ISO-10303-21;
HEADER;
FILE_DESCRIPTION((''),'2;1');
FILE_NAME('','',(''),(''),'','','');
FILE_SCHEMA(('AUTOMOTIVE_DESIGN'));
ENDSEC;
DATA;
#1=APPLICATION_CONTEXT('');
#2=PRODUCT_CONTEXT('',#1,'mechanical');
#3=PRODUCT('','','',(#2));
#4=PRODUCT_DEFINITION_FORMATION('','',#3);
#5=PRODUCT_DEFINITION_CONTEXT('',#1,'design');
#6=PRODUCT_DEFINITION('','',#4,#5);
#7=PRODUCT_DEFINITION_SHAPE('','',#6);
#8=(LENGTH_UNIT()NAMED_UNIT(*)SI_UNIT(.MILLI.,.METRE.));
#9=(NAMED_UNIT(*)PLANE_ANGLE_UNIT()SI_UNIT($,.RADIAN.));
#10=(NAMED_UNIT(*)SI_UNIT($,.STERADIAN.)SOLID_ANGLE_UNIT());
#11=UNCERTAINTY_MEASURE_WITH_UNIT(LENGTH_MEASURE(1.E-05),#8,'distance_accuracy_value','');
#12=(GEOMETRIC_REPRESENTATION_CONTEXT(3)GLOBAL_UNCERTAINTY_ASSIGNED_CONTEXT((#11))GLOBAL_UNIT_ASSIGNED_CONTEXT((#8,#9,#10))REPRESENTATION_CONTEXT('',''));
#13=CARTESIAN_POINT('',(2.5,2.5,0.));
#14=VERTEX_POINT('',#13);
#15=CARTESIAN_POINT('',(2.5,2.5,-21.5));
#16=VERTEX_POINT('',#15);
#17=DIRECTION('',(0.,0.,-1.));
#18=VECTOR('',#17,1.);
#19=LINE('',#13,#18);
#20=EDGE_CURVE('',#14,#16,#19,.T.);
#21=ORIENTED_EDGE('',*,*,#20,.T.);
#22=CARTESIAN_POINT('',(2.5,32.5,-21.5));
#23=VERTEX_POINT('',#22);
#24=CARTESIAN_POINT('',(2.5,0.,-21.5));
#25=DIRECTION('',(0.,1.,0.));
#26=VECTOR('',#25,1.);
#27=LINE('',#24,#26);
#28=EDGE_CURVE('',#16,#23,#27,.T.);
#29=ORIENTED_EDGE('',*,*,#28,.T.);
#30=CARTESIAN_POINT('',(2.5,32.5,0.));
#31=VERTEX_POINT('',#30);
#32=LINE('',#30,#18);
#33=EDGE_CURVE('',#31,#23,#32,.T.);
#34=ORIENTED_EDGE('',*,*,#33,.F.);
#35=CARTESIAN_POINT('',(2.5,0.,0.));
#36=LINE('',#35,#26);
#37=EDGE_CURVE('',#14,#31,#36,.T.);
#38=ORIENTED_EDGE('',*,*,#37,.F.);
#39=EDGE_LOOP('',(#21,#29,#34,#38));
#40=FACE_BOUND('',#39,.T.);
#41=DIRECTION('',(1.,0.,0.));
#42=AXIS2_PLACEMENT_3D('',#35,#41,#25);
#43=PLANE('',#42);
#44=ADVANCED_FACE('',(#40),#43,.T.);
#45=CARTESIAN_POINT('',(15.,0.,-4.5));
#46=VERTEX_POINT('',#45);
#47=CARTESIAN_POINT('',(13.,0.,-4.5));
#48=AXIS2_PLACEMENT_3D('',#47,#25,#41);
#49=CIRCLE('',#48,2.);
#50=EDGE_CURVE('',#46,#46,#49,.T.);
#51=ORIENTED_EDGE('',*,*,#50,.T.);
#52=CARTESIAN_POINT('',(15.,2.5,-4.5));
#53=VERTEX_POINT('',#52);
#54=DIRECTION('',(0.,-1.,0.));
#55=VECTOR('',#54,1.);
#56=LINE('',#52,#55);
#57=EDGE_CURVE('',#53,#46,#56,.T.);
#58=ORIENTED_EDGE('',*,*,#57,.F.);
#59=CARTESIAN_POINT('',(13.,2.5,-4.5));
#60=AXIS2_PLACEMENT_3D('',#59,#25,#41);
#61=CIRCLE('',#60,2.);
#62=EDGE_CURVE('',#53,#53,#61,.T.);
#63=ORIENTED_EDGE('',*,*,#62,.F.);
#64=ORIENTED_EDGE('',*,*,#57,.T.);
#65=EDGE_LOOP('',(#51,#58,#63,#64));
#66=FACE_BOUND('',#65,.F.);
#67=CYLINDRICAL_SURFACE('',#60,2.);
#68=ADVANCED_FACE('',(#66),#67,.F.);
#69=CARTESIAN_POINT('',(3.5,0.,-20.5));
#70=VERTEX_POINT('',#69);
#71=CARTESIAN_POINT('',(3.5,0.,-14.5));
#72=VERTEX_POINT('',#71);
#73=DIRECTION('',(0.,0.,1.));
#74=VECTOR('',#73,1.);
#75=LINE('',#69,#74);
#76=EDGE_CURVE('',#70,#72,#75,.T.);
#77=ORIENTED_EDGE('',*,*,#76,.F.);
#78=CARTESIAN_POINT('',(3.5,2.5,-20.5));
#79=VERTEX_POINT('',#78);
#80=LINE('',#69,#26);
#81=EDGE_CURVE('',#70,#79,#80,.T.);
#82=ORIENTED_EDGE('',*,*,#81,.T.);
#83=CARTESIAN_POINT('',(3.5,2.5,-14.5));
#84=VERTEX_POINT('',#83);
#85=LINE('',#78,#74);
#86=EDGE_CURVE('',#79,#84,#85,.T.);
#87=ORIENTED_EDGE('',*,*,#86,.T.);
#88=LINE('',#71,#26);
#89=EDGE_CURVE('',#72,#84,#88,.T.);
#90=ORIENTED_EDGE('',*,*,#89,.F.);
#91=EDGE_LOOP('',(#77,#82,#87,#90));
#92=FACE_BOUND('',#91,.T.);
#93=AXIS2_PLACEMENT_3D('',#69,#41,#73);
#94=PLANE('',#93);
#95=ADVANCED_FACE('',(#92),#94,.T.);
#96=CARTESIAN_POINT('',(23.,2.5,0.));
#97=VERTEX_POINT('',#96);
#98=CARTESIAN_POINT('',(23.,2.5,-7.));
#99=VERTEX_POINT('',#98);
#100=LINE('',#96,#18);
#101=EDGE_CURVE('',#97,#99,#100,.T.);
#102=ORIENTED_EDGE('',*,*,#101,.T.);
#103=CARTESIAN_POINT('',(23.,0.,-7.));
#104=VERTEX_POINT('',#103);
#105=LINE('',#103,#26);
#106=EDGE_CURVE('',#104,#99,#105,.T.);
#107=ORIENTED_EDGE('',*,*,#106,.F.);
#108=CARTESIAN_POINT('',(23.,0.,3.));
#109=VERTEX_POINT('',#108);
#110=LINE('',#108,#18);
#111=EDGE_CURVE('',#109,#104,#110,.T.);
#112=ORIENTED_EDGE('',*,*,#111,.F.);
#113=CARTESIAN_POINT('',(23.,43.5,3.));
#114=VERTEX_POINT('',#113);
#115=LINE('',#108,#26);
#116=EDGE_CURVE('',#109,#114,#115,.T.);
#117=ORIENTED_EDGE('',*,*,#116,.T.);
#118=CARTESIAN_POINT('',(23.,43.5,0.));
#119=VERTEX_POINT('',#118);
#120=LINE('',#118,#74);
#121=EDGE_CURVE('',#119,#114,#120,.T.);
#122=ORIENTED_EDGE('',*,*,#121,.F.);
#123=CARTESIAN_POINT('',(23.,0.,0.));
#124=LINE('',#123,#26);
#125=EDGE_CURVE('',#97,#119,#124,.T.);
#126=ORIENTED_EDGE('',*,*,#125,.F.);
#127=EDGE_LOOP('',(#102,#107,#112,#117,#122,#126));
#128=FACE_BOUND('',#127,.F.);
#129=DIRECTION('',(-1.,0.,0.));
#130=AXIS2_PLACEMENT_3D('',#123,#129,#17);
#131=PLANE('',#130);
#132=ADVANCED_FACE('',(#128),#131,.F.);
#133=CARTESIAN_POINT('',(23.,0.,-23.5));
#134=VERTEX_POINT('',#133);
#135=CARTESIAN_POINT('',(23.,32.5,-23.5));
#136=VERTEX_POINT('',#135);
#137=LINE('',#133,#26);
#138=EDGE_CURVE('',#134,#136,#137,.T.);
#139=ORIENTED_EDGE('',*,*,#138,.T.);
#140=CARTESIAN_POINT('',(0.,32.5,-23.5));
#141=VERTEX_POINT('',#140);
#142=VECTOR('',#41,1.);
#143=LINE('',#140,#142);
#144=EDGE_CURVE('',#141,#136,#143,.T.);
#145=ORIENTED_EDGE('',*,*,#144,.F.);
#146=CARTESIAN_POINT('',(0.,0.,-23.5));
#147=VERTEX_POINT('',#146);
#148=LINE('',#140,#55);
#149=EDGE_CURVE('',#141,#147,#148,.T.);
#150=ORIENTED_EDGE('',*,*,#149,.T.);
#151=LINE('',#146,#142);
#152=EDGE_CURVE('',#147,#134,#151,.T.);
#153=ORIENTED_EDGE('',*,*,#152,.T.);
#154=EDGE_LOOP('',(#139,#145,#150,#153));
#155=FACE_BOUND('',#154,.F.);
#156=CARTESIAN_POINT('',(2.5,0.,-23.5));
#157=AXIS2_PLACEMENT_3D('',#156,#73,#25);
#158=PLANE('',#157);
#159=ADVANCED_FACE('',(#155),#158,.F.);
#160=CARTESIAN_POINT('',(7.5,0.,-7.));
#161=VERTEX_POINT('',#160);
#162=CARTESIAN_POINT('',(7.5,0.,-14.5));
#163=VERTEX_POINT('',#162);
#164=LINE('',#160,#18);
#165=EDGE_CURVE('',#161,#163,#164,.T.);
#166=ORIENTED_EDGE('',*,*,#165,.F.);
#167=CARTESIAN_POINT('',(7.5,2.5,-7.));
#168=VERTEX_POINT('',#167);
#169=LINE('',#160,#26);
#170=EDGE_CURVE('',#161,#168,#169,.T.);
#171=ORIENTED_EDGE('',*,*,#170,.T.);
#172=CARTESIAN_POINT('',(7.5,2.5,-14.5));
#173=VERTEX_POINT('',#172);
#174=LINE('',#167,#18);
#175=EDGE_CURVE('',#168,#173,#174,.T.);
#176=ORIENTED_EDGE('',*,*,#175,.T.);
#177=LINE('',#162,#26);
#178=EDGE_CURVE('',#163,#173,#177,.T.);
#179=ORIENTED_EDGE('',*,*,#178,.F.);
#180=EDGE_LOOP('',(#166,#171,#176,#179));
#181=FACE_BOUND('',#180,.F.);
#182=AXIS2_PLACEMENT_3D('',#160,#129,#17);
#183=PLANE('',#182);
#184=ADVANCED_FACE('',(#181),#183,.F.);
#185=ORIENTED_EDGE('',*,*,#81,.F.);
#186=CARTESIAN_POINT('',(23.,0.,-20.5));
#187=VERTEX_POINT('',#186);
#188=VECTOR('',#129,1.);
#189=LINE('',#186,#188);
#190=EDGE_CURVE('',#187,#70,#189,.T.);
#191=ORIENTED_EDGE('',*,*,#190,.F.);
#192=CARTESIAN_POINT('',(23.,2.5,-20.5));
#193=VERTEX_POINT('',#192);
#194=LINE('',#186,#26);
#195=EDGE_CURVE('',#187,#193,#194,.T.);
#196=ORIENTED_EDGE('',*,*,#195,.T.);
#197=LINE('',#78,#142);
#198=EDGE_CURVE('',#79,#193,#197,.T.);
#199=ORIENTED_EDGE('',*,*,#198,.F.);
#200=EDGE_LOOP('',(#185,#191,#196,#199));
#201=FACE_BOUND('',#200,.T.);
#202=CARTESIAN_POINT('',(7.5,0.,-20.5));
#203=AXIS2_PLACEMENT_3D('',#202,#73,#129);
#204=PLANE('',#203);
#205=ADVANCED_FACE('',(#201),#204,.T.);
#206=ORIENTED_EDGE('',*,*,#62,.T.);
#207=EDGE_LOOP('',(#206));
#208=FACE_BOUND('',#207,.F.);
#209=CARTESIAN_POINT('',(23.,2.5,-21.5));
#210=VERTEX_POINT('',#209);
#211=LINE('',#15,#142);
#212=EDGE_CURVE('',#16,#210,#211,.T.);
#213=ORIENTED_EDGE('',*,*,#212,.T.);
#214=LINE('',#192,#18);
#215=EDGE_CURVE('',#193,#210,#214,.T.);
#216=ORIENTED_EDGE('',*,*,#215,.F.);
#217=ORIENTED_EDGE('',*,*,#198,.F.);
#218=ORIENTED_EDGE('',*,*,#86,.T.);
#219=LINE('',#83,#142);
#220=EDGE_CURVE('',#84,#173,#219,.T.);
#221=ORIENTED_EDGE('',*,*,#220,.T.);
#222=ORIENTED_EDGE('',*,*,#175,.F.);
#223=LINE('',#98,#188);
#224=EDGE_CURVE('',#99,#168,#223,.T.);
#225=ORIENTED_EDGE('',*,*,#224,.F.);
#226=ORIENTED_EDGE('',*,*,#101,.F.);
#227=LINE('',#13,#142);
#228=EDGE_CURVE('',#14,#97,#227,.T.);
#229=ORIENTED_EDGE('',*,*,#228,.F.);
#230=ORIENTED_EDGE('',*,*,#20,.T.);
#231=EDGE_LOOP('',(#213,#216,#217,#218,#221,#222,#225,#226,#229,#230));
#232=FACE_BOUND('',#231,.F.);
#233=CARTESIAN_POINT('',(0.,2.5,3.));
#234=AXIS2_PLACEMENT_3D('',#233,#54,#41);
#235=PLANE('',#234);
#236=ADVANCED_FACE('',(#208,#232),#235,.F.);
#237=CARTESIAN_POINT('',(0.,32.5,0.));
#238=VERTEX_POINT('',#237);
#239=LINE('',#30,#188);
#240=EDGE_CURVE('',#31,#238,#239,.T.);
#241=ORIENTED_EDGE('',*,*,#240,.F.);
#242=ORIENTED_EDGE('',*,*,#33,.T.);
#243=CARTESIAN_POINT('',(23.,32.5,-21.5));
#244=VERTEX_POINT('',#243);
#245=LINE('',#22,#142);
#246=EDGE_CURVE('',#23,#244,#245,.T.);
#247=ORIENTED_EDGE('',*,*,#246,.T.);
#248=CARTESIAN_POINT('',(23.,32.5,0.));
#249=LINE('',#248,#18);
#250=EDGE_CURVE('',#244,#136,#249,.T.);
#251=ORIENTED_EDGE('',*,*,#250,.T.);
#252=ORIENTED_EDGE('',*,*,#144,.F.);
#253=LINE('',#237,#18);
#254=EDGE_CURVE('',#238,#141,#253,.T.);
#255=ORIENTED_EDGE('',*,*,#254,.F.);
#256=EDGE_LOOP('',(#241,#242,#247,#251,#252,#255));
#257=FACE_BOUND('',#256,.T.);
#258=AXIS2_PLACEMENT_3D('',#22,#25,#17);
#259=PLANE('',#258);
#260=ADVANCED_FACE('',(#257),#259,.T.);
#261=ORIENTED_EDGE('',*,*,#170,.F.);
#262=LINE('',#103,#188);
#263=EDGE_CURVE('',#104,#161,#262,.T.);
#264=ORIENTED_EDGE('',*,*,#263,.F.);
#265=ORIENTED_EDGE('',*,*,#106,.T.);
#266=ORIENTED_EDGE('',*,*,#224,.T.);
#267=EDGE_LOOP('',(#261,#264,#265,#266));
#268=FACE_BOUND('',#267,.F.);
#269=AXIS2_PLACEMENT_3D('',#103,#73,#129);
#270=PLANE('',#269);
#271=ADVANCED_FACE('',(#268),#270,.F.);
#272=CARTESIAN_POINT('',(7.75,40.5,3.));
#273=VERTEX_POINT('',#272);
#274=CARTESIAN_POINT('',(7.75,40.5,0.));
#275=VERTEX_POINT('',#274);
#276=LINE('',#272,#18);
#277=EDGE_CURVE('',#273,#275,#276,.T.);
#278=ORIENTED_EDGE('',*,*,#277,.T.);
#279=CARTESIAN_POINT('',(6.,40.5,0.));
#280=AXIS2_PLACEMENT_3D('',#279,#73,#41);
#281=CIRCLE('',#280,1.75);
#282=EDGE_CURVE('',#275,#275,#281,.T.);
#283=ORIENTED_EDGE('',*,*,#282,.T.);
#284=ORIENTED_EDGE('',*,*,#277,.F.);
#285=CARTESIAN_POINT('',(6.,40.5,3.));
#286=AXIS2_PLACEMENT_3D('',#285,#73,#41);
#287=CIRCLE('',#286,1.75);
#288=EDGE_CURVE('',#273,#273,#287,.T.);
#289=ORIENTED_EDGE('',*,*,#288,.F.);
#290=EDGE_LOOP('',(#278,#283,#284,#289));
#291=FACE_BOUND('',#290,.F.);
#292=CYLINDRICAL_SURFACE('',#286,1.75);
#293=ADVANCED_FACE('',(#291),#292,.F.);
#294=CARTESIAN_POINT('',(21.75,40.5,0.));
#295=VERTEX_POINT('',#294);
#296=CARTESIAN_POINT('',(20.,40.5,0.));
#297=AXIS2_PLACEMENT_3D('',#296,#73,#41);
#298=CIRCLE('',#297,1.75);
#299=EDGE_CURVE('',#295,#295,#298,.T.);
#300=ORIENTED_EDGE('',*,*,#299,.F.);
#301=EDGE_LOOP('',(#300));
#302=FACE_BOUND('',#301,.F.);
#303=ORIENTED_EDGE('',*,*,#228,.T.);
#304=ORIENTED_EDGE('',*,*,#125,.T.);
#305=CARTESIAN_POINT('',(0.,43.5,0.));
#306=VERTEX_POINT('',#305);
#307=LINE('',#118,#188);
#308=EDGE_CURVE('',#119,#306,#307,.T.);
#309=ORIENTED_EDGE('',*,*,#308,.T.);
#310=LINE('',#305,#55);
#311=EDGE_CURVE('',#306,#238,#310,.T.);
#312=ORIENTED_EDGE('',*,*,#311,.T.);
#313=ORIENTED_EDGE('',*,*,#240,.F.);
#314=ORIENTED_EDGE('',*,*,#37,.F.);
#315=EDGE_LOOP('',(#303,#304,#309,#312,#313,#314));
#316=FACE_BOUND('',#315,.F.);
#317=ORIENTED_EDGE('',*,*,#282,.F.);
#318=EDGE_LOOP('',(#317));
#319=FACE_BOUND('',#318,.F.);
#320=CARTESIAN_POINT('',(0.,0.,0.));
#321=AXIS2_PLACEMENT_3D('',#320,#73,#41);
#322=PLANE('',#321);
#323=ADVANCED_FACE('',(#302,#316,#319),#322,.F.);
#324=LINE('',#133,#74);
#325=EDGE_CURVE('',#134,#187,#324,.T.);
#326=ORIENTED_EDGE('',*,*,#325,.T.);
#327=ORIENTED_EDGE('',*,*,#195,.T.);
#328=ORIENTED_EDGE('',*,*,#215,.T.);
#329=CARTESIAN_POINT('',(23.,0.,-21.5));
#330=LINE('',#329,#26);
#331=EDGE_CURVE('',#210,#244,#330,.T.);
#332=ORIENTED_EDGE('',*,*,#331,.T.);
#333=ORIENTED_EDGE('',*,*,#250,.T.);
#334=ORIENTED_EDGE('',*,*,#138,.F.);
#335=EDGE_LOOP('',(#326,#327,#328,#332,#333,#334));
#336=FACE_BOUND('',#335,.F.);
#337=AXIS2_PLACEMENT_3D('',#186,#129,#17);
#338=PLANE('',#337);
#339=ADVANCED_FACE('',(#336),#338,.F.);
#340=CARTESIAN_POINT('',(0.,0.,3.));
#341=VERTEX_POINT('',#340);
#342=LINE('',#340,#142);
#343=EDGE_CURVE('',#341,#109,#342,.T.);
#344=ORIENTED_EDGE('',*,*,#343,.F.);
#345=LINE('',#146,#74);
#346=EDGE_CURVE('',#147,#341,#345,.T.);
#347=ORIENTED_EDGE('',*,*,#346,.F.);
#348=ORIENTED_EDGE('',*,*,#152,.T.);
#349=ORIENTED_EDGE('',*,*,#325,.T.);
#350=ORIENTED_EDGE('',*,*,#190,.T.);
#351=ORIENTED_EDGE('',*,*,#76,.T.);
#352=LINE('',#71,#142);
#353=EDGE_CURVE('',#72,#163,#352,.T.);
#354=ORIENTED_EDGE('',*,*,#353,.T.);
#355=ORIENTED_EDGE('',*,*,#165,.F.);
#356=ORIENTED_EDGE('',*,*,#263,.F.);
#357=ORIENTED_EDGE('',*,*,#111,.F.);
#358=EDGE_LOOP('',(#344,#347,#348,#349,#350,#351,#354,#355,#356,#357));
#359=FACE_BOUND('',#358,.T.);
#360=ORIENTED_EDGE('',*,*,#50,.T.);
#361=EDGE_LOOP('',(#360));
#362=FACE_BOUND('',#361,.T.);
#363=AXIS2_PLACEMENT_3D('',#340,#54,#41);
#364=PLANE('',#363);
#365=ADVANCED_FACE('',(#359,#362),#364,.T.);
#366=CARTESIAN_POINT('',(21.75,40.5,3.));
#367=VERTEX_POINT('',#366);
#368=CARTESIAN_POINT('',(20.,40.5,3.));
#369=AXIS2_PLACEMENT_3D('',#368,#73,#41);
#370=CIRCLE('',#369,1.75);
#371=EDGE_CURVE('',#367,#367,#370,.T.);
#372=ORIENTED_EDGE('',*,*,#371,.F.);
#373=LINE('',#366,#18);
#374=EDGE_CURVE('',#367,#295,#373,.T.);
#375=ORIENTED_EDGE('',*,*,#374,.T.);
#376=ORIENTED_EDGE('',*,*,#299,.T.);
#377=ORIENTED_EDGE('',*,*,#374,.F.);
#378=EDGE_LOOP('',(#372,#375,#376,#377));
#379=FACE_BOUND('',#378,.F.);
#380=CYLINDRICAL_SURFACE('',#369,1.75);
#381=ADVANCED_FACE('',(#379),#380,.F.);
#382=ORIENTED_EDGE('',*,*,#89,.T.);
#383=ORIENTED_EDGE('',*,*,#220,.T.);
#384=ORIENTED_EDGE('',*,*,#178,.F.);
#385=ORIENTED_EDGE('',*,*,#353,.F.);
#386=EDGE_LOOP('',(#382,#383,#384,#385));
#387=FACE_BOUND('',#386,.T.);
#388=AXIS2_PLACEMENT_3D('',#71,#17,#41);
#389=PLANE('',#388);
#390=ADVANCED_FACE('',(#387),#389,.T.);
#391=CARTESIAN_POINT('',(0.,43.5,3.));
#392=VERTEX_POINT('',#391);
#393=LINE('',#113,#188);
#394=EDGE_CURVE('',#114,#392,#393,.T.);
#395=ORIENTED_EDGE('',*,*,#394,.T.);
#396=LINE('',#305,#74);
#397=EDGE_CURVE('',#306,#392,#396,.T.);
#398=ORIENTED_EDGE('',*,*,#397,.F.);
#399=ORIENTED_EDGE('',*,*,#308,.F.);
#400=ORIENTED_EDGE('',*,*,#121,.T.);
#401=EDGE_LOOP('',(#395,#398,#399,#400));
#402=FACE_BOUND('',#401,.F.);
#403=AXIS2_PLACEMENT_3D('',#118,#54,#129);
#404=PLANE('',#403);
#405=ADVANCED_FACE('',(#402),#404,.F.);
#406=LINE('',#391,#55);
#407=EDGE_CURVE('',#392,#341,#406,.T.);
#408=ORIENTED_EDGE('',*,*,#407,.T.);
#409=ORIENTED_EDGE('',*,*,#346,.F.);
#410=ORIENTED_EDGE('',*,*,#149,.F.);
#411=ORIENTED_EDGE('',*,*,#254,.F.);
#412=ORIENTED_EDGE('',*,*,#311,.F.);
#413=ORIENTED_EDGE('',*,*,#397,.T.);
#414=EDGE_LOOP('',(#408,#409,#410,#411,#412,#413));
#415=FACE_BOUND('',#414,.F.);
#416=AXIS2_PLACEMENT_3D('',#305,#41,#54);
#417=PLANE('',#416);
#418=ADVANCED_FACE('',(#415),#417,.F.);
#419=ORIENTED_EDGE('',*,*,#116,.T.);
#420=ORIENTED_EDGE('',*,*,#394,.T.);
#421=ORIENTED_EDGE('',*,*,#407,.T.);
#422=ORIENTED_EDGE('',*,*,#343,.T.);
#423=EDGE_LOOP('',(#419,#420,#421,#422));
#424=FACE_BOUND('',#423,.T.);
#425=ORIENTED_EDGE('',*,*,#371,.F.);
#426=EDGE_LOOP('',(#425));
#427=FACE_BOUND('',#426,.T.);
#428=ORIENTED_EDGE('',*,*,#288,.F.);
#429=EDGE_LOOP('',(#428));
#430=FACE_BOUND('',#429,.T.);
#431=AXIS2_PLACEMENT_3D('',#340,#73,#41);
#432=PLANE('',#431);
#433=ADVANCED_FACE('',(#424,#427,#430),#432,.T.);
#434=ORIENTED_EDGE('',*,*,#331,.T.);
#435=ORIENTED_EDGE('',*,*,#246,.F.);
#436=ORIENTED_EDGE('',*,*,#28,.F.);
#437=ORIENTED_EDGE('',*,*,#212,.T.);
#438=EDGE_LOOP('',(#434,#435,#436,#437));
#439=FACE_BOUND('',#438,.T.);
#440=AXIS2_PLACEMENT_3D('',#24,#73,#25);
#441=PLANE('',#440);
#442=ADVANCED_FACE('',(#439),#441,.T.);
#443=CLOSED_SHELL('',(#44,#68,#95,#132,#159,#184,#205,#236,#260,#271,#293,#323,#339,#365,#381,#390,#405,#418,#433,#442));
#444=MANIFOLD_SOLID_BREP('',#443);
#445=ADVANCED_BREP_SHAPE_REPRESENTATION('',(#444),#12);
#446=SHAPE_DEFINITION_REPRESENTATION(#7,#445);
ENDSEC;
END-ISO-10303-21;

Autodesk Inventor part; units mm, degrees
ref_plane "YZ Plane" through (0, 0, 0) normal (1, 0, 0) x (0, 1, 0)
ref_plane "XZ Plane" through (0, 0, 0) normal (0, 1, 0) x (-1, 0, 0)
ref_plane "XY Plane" through (0, 0, 0) normal (0, 0, 1) x (1, 0, 0)
sketch "Sketch1" plane through (0, 0, 0) normal (0, 0, 1) x (1, 0, 0)
  line L0 (0, 0) -> (23, 0)
  line L1 (23, 0) -> (23, 43.5)
  line L2 (23, 43.5) -> (0, 43.5)
  line L3 (0, 43.5) -> (0, 0)
  dimension "d0" = 23
  dimension "d1" = 43.5
extrude "Extrusion1" add sketch "Sketch1" along normal blind 3
sketch "Sketch6" plane through (0, 0, 0) normal (0, 0, -1) x (-1, 0, 0)
  line L0 (0, 0) -> (-2.5, 0)
  line L1 (-2.5, 0) -> (-2.5, 32.5)
  line L2 (-2.5, 32.5) -> (0, 32.5)
  line L3 (0, 32.5) -> (0, 0)
  dimension "d17" = 2.5
  dimension "d18" = 32.5
extrude "Extrusion5" add sketch "Sketch6" along normal blind 23.5
sketch "Sketch7" plane through (2.5, 0, 0) normal (1, 0, 0) x (0, 0, -1)
  line L0 (23.5, 0) -> (23.5, 32.5) projected
  line L1 (0, 32.5) -> (23.5, 32.5) projected
  line L2 (23.5, 0) -> (21.5, 0)
  line L3 (21.5, 0) -> (21.5, 32.5)
  line L4 (21.5, 32.5) -> (23.5, 32.5)
  line L5 (23.5, 32.5) -> (23.5, 0)
  point P0 (0, 0)
  dimension "d21" = 2
extrude "Extrusion6" add sketch "Sketch7" along normal blind 20.5
sketch "Sketch8" plane through (0, 0, 3) normal (0, -1, 0) x (1, 0, 0)
  line L0 (2.5, -3) -> (23, -3) projected
  line L1 (23, -3) -> (23, 0) projected
  line L2 (0, 0) -> (23, 0) projected
  line L3 (0, 0) -> (0, -26.5) projected
  line L4 (0, -26.5) -> (23, -26.5) projected
  line L5 (23, -24.5) -> (23, -26.5) projected
  line L6 (2.5, -24.5) -> (23, -24.5) projected
  line L7 (2.5, -3) -> (2.5, -24.5) projected
  line L8 (23, -3) -> (23, -10)
  line L9 (23, -10) -> (7.5, -10)
  line L10 (7.5, -10) -> (7.5, -23.5)
  line L11 (7.5, -23.5) -> (23, -23.5)
  line L12 (23, -23.5) -> (23, -24.5)
  point P0 (0, -3)
  dimension "d24" = 7
  dimension "d25" = 1
  dimension "d26" = 5
extrude "Extrusion7" add sketch "Sketch8" against normal blind 2.5 contours L0 L8 L9 L10 L11 L12 L6 L7
sketch "Sketch10" plane through (0, 2.5, 3) normal (0, 1, 0) x (1, 0, 0)
  circle A0 centre (13, 7.5) radius 2
  line L0 (23, 3) -> (23, 10) projected
  line L1 (23, 3) -> (0, 3) projected
  dimension "d35" = 10
  dimension "d36" = 4.5
  dimension "d37" = 4
extrude "Extrusion9" cut sketch "Sketch10" against normal blind 2.5
sketch "Sketch11" plane through (0, 0, 3) normal (0, 0, 1) x (1, 0, 0)
  circle A0 centre (6, 40.5) radius 1.75
  circle A1 centre (20, 40.5) radius 1.75
  line L0 (0, 43.5) -> (0, 0) projected
  line L1 (23, 0) -> (23, 43.5) projected
  line L2 (0, 0) -> (23, 0) projected
  dimension "d40" = 3.5
  dimension "d41" = 3.5
  dimension "d42" = 14
  dimension "d44" = 3
  dimension "d45" = 40.5
extrude "Extrusion10" cut sketch "Sketch11" against normal blind 3
sketch "Sketch12" plane through (0, 0, 3) normal (0, -1, 0) x (1, 0, 0)
  line L0 (23, -23.5) -> (7.5, -23.5) projected
  line L1 (7.5, -23.5) -> (3.5, -23.5)
  line L2 (3.5, -23.5) -> (3.5, -17.5)
  line L3 (3.5, -17.5) -> (7.5, -17.5)
  line L4 (7.5, -17.5) -> (7.5, -23.5)
  point P0 (0, -3)
  dimension "d48" = 4
  dimension "d49" = 6
extrude "Extrusion11" cut sketch "Sketch12" against normal blind 2.5
equation "\"d41\" = d40"
properties part number "SOPORTE_HOTEND"
